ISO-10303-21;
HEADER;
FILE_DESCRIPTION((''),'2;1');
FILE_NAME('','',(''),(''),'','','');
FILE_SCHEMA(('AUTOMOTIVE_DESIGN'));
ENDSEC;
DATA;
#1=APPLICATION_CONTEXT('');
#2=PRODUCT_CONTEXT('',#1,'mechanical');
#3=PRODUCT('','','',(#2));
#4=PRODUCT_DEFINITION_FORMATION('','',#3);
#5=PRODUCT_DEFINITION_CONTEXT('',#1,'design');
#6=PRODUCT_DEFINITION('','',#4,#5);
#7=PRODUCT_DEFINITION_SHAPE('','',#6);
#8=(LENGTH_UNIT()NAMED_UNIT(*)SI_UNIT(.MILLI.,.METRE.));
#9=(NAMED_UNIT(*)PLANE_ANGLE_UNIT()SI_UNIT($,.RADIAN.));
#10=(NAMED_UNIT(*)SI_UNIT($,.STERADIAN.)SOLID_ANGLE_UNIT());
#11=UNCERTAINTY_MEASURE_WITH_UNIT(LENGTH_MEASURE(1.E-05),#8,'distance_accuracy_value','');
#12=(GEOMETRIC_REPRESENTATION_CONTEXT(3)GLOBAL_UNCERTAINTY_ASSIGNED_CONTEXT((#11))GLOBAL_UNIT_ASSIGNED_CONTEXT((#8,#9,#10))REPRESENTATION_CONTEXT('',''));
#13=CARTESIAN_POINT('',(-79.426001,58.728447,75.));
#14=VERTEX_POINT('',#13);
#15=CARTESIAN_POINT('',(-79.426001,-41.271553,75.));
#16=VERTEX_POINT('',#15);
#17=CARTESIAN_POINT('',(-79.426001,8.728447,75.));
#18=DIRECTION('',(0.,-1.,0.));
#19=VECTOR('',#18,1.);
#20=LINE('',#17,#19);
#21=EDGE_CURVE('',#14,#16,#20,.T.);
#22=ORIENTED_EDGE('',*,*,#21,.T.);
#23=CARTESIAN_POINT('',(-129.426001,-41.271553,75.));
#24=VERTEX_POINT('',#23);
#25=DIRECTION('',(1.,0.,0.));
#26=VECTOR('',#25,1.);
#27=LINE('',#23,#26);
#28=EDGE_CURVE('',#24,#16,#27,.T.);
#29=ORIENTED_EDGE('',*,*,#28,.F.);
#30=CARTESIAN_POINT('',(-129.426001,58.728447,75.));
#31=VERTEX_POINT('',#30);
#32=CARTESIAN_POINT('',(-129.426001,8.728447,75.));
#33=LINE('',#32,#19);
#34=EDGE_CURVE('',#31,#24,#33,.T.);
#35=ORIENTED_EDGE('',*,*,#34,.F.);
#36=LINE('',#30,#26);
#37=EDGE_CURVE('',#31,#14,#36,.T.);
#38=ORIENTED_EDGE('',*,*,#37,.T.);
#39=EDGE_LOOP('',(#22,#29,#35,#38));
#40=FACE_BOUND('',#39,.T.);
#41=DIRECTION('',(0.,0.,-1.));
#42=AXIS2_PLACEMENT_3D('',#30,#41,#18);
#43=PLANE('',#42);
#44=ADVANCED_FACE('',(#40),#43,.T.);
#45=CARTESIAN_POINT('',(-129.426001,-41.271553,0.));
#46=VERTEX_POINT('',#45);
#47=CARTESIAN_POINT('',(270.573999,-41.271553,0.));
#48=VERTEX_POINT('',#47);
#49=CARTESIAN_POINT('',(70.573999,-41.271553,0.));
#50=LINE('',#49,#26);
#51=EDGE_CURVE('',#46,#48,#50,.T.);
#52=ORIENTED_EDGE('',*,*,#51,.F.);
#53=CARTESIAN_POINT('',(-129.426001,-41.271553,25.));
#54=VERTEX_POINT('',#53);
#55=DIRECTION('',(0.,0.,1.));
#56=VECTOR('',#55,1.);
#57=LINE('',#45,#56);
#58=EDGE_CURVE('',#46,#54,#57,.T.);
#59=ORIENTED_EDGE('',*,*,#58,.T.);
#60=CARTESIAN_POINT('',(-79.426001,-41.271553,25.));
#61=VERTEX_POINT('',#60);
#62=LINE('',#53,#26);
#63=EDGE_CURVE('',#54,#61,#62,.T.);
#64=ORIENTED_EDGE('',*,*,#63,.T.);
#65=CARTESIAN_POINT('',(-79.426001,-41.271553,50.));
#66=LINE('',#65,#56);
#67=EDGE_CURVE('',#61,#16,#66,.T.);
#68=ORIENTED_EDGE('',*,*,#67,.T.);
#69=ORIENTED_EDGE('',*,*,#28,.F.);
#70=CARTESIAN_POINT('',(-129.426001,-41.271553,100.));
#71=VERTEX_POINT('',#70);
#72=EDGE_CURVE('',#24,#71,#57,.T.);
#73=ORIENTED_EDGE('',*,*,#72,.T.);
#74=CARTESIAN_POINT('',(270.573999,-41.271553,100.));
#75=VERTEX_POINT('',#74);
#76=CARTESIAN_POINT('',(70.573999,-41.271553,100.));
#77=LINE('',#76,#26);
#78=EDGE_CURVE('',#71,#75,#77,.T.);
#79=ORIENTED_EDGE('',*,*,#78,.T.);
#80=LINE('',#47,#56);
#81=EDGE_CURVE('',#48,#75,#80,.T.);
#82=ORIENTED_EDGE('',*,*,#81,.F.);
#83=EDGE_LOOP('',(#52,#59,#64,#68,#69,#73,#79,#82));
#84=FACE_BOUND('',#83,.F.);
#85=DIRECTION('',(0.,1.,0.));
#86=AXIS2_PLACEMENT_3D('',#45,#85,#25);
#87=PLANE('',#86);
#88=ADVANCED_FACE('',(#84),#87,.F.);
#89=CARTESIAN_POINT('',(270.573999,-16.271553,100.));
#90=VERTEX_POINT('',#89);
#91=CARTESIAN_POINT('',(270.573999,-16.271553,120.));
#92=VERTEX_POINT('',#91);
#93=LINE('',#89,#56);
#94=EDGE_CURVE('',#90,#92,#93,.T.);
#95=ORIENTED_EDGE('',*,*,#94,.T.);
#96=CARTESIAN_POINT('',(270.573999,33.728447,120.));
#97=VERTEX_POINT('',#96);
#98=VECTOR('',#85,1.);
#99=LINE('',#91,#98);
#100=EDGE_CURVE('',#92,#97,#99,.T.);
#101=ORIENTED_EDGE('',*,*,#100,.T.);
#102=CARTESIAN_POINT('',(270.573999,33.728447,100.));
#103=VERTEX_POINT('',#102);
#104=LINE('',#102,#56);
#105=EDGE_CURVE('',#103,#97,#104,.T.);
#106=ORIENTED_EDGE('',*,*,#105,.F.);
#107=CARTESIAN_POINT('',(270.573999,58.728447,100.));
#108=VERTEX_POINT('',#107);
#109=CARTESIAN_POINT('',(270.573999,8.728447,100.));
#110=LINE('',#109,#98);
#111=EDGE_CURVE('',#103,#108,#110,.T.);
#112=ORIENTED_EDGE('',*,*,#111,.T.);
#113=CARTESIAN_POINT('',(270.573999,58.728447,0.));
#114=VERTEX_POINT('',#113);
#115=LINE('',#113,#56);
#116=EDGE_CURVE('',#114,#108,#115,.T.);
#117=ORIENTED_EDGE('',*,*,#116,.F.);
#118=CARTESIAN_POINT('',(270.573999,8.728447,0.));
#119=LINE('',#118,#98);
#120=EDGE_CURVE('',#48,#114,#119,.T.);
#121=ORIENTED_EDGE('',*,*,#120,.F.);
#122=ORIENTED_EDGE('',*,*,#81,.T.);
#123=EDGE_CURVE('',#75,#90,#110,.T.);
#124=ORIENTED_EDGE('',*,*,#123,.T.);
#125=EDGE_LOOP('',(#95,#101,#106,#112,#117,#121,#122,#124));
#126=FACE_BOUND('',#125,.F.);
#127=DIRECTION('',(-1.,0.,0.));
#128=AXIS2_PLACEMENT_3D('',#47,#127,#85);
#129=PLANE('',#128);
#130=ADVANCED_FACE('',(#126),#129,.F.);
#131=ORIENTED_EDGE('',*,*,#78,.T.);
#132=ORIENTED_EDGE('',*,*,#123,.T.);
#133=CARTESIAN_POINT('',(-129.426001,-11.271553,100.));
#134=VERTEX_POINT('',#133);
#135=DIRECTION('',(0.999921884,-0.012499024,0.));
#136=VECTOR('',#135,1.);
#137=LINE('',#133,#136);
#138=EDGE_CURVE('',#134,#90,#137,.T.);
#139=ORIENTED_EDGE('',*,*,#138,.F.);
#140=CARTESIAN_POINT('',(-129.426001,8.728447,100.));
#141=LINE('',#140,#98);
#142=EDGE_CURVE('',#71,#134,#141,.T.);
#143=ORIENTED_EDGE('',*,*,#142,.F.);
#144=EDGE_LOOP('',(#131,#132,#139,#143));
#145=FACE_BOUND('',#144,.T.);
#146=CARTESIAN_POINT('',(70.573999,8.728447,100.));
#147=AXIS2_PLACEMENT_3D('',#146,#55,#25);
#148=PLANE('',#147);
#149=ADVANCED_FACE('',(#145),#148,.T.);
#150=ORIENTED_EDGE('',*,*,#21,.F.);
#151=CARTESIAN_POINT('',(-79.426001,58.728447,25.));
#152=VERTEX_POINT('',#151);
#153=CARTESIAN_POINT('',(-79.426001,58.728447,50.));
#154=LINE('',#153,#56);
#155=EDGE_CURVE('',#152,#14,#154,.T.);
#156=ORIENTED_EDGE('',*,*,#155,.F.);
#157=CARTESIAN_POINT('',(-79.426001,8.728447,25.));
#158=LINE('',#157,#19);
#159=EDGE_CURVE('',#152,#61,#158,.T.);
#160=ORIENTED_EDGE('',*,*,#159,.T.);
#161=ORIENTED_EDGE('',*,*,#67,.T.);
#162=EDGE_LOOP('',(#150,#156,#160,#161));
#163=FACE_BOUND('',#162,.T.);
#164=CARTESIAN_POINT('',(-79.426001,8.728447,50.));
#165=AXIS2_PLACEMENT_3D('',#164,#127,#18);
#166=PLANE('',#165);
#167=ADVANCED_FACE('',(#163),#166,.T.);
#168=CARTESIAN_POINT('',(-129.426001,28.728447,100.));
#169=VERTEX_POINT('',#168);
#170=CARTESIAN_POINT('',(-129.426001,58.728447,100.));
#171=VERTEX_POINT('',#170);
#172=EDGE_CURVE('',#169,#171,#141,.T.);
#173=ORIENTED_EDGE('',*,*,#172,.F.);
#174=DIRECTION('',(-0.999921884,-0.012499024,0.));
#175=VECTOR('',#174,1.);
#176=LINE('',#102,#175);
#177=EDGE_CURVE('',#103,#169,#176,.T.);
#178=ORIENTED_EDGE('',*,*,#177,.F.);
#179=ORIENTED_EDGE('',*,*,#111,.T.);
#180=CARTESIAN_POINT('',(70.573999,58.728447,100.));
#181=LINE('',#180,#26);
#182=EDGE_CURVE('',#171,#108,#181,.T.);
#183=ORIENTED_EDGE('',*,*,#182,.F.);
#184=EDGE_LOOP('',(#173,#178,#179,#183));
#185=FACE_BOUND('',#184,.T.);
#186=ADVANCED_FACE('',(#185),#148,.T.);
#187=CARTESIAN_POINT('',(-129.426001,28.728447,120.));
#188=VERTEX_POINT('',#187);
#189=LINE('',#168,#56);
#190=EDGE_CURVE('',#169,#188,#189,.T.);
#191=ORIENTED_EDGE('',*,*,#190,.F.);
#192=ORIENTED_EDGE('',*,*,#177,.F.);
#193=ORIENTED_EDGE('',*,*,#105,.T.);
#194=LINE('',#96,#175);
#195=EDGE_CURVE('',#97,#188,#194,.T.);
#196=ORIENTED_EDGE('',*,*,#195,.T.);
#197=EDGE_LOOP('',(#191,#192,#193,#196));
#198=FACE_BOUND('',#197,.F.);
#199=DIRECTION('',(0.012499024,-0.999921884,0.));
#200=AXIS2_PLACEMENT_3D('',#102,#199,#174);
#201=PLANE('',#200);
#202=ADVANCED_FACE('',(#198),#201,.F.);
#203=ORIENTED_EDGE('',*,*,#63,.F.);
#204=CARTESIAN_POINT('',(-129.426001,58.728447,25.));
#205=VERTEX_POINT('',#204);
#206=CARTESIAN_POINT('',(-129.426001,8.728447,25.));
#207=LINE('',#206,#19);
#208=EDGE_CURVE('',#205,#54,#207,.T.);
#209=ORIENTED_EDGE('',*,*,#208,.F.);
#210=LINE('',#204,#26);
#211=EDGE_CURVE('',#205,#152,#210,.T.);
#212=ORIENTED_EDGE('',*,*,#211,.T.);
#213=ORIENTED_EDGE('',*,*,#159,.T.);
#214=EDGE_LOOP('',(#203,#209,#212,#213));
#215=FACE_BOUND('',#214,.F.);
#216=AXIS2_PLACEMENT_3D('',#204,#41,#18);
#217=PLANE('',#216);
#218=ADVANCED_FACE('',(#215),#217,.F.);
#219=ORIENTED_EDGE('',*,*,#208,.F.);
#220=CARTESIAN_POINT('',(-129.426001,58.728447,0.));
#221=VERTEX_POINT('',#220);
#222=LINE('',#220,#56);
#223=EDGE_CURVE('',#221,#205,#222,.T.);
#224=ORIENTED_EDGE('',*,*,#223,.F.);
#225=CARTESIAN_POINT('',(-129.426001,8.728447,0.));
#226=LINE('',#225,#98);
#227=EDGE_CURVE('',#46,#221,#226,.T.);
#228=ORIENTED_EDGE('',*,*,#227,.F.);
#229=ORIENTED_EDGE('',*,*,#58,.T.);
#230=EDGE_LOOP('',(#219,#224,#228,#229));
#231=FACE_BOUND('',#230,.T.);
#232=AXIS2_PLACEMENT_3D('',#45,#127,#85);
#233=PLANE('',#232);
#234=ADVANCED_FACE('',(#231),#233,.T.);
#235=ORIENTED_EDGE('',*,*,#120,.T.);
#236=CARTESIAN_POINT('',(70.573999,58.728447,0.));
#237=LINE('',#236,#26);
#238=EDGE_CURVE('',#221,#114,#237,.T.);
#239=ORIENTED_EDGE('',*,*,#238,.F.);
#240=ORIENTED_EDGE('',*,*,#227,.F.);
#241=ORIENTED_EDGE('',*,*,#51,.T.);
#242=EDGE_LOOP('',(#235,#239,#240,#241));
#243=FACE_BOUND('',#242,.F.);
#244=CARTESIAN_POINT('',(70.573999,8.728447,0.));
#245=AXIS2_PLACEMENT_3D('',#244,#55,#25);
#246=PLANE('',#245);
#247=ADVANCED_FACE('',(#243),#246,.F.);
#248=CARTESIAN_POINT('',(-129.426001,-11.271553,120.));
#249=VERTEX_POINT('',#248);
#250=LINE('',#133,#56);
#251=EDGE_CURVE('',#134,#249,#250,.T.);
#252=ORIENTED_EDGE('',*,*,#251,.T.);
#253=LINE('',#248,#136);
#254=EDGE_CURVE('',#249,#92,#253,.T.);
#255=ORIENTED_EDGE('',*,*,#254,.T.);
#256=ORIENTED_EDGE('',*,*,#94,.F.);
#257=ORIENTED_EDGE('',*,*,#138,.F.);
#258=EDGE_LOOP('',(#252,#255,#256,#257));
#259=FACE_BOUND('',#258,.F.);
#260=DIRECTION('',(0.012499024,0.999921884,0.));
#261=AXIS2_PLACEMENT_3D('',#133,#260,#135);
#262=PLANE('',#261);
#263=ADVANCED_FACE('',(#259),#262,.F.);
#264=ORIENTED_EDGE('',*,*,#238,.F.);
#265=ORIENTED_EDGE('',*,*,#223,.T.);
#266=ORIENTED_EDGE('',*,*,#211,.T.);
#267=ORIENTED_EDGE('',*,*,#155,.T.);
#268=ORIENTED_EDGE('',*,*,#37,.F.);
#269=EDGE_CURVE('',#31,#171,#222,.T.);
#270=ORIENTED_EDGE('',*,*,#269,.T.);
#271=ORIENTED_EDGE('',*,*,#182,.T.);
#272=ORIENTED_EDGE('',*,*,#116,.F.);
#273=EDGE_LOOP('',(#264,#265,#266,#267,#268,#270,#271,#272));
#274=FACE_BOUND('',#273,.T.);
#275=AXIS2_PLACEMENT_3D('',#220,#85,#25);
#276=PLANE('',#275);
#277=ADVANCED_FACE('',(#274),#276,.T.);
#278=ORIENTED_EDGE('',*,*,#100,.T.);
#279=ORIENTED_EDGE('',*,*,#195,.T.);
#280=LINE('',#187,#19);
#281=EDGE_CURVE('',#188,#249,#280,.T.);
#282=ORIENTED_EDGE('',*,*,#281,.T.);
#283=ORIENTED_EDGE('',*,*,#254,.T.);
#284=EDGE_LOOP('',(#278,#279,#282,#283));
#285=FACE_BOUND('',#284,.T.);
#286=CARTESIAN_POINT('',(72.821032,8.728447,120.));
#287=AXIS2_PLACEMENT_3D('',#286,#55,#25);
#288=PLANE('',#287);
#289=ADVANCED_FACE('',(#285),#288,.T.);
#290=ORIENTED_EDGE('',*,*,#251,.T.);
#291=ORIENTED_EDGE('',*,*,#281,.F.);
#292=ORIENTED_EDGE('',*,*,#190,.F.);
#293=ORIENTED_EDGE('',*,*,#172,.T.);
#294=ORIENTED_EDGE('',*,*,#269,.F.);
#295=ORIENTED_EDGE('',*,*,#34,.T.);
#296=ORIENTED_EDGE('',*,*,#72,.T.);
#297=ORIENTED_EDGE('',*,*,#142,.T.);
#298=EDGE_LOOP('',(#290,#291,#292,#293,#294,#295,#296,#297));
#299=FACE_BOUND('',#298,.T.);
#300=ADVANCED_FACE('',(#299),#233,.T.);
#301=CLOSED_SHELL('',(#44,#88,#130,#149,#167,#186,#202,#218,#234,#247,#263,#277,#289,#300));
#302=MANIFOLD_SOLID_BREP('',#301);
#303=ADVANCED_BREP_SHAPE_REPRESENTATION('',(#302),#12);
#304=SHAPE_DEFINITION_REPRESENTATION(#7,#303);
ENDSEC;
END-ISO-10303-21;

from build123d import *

# Parameters (mm, degrees)
F0_W     = 400
F0_H     = 100
F1_DEPTH = 100
F3_DEPTH = 20
F4_W     = 100
F4_H     = 50
F5_DEPTH = 50


with BuildPart() as f1:
    # F0 (on Top) → F1 (new body)
    with BuildSketch(Plane.XY):
        with Locations((70.573999, 8.728447)):
            Rectangle(F0_W, F0_H)
    extrude(amount=F1_DEPTH)

    # F2 (on face) → F3 (join)
    with BuildSketch(Plane.XY.offset(100)):
        Polygon((270.573999, -16.271553), (270.573999, 33.728447), (-129.426001, 28.728447), (-129.426001, -11.271553), align=None)
    extrude(amount=F3_DEPTH)

    # F4 (on face) → F5 (cut)
    with BuildSketch(Plane(origin=(-129.426001, 0, 0), x_dir=(0, -1, 0), z_dir=(-1, 0, 0))):
        with Locations((-8.728447, 50)):
            Rectangle(F4_W, F4_H)
    extrude(amount=-F5_DEPTH, mode=Mode.SUBTRACT)


solid = f1.part
